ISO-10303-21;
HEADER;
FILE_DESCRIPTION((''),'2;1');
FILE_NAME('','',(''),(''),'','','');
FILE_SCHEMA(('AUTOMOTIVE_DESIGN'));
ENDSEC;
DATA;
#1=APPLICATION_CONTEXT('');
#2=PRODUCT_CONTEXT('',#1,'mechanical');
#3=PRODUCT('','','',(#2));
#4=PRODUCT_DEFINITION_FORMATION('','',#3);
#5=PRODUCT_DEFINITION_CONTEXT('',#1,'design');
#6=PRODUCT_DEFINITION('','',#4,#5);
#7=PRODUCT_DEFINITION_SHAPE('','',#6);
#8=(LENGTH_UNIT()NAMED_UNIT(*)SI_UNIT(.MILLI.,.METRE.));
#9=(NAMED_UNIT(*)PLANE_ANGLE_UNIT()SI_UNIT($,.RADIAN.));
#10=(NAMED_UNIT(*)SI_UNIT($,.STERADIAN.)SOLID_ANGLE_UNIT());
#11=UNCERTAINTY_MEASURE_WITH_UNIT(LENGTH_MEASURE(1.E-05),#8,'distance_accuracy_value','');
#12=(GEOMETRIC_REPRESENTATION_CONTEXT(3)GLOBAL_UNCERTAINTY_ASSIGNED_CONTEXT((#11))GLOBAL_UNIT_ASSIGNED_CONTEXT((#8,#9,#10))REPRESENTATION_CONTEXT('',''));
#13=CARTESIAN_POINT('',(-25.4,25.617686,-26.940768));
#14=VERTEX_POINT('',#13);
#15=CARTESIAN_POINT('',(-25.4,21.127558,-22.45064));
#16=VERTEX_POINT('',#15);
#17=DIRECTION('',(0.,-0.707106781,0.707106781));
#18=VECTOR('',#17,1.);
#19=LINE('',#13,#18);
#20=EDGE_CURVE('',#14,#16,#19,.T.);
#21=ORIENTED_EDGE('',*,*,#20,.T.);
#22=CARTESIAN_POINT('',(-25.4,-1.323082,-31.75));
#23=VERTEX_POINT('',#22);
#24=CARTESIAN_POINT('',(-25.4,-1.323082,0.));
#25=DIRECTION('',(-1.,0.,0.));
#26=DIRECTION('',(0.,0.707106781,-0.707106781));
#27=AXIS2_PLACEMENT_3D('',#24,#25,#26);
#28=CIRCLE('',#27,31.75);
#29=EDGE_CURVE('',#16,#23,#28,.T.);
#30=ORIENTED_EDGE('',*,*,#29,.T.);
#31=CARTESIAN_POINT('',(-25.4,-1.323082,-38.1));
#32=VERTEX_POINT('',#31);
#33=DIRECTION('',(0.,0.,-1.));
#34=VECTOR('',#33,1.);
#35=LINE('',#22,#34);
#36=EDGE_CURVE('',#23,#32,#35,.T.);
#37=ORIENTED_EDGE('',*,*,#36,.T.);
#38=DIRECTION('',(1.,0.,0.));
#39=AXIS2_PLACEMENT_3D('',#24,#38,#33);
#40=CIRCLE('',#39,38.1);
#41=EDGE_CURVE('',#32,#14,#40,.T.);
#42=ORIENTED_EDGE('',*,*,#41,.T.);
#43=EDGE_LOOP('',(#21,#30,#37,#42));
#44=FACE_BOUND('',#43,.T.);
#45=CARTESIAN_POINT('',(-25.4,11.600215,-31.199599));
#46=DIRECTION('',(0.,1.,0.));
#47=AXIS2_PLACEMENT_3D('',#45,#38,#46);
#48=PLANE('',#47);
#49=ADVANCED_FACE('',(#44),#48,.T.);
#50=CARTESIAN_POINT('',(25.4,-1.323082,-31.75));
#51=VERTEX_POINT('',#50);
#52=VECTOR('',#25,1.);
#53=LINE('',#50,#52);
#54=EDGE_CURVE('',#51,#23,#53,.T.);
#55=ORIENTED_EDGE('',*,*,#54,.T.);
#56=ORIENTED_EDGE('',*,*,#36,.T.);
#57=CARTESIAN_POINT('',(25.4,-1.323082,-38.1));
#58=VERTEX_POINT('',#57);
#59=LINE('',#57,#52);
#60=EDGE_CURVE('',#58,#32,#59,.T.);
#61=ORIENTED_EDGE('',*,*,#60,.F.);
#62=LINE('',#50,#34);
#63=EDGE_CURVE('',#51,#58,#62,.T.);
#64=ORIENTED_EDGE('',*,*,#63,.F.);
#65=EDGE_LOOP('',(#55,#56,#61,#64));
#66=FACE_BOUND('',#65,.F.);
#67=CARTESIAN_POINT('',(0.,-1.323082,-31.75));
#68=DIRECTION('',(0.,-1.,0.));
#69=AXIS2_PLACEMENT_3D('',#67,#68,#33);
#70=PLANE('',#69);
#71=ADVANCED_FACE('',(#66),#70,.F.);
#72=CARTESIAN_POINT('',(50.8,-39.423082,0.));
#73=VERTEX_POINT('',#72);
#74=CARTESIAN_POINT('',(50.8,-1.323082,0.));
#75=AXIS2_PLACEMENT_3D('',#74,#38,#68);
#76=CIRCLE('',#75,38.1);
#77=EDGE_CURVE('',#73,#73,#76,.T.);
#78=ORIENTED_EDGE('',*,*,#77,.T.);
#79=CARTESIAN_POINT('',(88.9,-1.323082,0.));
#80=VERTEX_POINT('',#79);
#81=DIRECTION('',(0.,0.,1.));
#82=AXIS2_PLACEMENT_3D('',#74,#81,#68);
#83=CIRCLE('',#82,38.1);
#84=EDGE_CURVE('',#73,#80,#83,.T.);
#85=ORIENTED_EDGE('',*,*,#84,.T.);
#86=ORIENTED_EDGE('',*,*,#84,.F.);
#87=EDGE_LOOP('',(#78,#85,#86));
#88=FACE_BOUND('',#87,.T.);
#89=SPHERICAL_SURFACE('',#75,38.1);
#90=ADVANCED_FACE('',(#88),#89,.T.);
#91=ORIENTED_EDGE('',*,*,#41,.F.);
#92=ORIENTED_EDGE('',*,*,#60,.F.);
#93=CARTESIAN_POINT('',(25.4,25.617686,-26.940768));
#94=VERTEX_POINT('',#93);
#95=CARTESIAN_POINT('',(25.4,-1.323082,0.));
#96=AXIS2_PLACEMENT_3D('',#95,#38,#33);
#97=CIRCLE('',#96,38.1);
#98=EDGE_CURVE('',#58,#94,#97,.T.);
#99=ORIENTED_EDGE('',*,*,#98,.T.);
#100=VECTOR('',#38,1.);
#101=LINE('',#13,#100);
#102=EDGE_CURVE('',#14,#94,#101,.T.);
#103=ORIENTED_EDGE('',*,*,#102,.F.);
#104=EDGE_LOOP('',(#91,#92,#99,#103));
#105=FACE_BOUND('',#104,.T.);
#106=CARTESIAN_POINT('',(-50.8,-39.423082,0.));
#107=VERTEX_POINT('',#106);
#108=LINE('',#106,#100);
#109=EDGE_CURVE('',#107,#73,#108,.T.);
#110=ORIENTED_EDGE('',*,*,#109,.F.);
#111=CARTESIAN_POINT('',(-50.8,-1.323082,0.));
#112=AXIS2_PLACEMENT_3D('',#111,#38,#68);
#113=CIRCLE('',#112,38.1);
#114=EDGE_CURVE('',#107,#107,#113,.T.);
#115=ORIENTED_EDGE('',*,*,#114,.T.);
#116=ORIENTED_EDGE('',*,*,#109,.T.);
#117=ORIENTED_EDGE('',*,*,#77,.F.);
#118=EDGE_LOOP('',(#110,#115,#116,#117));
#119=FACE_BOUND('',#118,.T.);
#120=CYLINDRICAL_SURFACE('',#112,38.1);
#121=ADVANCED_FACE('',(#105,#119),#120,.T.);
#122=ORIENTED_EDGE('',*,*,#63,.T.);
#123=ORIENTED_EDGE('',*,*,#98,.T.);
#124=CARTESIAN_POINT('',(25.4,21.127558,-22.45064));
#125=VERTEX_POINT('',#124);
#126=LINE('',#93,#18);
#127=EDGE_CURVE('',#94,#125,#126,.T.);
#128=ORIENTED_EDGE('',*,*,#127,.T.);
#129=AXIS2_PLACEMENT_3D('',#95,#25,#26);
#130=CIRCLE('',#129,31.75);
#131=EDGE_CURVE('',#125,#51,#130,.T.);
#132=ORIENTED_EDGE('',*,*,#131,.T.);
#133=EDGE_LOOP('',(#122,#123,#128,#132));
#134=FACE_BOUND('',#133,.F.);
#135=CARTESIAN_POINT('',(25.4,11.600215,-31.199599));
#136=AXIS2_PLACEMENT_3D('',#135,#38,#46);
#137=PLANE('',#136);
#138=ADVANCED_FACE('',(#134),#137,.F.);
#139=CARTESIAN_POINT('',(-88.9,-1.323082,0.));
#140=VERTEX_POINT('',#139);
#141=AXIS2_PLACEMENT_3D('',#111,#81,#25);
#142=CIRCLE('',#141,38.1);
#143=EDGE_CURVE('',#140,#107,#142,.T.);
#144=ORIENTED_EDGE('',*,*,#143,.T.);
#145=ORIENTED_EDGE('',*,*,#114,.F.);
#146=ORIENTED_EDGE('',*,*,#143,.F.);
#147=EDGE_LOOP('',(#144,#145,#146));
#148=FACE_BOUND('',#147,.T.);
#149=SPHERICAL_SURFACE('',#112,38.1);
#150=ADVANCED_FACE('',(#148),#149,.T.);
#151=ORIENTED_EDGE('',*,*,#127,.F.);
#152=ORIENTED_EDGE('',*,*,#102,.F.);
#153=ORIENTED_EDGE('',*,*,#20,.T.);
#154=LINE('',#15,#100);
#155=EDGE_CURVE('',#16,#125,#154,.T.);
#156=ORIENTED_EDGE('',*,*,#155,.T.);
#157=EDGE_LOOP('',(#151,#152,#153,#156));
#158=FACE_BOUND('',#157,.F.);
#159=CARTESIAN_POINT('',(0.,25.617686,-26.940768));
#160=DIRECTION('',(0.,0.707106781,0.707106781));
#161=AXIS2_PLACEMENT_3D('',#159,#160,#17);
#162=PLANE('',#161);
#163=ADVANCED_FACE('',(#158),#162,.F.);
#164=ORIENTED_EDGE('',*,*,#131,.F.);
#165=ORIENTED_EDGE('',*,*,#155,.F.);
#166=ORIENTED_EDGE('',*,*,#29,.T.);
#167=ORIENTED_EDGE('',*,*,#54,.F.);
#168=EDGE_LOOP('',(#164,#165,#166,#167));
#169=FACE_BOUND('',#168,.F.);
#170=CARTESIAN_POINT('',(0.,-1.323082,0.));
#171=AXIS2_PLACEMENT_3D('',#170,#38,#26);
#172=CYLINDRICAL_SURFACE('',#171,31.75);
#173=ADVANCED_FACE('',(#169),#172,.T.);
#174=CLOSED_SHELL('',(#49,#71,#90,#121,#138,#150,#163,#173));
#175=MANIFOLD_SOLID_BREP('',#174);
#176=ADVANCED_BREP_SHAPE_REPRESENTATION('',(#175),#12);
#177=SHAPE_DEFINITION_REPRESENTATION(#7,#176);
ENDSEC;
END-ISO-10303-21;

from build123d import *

# Parameters (mm, degrees)
F0_W     = 50.8
F0_H     = 38.1
F3_DEPTH = 25.4


with BuildPart() as f1:
    # F0 (on Top) → F1 (revolve)
    with BuildSketch(Plane.XY):
        with BuildLine():
            Line((88.9, -1.3230820239), (50.8, -1.3230820239))
            Line((50.8, -1.3230820239), (50.8, -39.4230820239))
            ThreePointArc((50.8, -39.4230820239), (77.7407683632, -28.2638503871), (88.9, -1.3230820239))
        make_face()
        with Locations((-25.4, -20.3730820239)):
            Rectangle(F0_W, F0_H)
        with Locations((25.4, -20.3730820239)):
            Rectangle(F0_W, F0_H)
        with BuildLine():
            Line((-50.8, -39.4230820239), (-50.8, -1.3230820239))
            Line((-50.8, -1.3230820239), (-88.9, -1.3230820239))
            ThreePointArc((-88.9, -1.3230820239), (-77.7407683632, -28.2638503871), (-50.8, -39.4230820239))
        make_face()
    revolve(axis=Axis((0, -1.3230820239, 0), (1, 0, 0)))

    # F2 (on Right) → F3 (cut, symmetric)
    with BuildSketch(Plane.YZ):
        with BuildLine():
            ThreePointArc((-1.3230820239, -38.1), (13.2571567493, -35.1998101887), (25.6176863393, -26.9407683632))
            Line((25.6176863393, -26.9407683632), (21.1275582788, -22.4506403027))
            ThreePointArc((21.1275582788, -22.4506403027), (10.8271169537, -29.3331751572), (-1.3230820239, -31.75))
            Line((-1.3230820239, -31.75), (-1.3230820239, -38.1))
        make_face()
    extrude(amount=F3_DEPTH, both=True, mode=Mode.SUBTRACT)


solid = f1.part
